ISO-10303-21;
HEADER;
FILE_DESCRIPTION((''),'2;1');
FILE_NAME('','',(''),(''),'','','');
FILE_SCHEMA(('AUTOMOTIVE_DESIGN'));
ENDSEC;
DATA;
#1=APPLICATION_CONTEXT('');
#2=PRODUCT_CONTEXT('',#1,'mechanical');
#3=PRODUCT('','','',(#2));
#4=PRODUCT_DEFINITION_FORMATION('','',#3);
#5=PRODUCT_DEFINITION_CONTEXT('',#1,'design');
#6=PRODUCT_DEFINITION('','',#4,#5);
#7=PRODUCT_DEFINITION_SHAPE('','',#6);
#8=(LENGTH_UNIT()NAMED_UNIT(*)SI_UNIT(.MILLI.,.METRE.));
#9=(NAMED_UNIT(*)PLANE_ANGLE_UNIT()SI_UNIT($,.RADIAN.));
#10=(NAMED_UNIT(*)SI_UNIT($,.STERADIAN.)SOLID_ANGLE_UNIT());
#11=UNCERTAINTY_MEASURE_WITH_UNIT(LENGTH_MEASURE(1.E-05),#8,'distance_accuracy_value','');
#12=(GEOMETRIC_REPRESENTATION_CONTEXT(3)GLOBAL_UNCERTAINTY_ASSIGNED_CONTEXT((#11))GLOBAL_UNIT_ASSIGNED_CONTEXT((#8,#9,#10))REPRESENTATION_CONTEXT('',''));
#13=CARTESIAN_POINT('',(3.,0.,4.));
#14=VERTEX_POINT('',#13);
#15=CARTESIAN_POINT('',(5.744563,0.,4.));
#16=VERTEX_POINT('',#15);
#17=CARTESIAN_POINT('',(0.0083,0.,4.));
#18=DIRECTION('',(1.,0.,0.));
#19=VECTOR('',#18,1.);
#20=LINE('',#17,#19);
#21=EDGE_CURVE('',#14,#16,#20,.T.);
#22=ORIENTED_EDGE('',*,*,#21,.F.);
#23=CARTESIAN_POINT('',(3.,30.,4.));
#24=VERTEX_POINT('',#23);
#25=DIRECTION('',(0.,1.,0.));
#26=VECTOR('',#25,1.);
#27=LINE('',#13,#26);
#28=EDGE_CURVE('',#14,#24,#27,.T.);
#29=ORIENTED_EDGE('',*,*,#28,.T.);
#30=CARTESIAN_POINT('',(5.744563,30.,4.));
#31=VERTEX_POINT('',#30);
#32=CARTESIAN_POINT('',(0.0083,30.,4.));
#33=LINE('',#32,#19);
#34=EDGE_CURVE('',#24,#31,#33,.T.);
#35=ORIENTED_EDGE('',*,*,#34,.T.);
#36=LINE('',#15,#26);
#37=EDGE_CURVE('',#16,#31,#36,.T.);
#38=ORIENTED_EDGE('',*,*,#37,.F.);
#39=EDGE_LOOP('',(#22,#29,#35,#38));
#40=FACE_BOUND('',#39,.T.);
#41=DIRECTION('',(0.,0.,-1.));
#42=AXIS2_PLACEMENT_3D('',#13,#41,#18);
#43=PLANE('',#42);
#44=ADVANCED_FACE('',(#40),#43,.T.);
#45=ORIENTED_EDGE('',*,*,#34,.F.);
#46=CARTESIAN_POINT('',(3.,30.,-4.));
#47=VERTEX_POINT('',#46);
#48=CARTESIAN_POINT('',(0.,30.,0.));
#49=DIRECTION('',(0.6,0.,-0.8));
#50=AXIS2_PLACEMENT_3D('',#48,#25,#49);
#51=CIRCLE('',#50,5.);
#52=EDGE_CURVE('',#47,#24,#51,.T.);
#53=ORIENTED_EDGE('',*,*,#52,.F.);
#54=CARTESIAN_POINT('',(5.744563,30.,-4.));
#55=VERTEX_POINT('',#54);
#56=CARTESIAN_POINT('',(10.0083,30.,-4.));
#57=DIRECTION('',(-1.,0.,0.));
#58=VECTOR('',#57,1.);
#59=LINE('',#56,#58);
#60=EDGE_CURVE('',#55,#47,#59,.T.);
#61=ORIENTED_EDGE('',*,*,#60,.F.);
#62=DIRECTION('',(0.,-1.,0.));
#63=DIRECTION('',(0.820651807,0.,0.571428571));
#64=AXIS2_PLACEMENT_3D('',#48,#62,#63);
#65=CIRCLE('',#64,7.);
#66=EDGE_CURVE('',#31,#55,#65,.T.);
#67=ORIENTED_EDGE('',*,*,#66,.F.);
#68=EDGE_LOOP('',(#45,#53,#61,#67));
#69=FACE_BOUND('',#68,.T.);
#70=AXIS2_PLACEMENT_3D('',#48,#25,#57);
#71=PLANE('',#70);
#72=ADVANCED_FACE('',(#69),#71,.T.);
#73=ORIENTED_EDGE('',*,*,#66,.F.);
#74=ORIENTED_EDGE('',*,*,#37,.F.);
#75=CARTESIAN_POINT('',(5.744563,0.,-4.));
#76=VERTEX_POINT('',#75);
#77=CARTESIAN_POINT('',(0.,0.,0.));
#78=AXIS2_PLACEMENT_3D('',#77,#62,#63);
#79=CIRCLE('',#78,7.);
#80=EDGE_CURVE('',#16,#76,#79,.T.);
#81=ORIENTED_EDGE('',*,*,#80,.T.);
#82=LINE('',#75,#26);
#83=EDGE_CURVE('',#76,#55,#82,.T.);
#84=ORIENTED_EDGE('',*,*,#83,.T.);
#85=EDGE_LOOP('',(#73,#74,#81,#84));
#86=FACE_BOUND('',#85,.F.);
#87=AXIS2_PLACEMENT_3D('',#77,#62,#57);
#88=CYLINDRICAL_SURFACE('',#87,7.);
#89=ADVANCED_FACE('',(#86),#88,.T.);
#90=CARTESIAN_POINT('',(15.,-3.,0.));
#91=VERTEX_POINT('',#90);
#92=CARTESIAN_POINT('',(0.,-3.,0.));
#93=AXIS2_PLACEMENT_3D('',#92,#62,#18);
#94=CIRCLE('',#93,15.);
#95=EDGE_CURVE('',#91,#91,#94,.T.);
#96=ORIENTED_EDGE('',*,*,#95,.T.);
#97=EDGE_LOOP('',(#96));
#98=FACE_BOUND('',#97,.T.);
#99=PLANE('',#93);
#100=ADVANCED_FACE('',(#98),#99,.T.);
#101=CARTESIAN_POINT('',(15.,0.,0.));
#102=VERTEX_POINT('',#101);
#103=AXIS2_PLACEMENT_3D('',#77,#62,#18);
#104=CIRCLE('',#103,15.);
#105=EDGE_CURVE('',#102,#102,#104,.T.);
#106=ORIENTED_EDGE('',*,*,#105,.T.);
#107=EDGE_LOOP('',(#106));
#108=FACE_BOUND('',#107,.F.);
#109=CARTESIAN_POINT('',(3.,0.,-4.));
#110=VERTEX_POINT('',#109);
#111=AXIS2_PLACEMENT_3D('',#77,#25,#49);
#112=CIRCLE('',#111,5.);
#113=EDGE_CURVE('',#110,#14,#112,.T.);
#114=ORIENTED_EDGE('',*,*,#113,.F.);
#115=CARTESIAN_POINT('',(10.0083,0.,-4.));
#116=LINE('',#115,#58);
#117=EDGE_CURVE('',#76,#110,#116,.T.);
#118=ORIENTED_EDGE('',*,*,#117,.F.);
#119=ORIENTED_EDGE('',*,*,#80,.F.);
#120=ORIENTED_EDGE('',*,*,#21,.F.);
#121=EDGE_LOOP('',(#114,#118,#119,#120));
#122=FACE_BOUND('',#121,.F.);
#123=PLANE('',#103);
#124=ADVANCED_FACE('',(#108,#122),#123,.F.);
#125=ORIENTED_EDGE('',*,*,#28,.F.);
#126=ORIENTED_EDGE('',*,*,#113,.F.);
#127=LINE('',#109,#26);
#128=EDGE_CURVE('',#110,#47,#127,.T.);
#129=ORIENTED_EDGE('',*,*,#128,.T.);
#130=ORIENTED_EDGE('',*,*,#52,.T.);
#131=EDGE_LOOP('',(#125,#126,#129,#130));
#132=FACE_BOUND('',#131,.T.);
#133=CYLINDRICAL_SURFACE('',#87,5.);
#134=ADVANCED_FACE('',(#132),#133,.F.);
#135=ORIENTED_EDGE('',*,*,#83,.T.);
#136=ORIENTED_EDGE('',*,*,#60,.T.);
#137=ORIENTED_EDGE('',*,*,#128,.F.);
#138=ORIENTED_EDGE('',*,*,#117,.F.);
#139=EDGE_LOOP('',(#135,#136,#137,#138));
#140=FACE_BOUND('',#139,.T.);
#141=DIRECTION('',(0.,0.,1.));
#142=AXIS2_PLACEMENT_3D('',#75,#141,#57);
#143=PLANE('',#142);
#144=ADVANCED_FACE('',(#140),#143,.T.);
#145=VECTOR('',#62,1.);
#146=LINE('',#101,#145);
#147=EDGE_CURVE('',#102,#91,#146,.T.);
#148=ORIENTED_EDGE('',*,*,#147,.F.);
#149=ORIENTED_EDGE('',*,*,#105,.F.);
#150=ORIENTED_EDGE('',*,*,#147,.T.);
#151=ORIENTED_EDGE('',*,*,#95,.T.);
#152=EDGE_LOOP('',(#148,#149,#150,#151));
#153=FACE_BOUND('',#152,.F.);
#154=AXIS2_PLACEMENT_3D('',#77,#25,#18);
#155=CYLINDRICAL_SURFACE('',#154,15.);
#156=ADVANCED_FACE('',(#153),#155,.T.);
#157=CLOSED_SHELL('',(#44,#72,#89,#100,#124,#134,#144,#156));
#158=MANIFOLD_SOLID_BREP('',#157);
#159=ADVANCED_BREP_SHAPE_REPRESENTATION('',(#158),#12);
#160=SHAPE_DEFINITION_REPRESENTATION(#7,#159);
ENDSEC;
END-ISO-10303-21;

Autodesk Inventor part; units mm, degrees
ref_plane "YZ Plane" through (0, 0, 0) normal (1, 0, 0) x (0, 1, 0)
ref_plane "XZ Plane" through (0, 0, 0) normal (0, 1, 0) x (-1, 0, 0)
ref_plane "XY Plane" through (0, 0, 0) normal (0, 0, 1) x (1, 0, 0)
sketch "Sketch1" plane through (0, 0, 0) normal (0, 1, 0) x (-1, 0, 0)
  point P0 (0, 0)
sketch "Sketch2" plane through (0, 0, 0) normal (0, 1, 0) x (-1, 0, 0)
  circle A0 centre (0, 0) radius 5
  circle A1 centre (0, 0) radius 7
  line L0 (-0.0083, 4) -> (-10.0083, 4)
  line L1 (-10.0083, 4) -> (-10.0083, -4)
  line L2 (-10.0083, -4) -> (-0.0083, -4)
  line L3 (-0.0083, -4) -> (-0.0083, 4)
  point P0 (-3, -4)
  point P1 (-5.7446, -4)
  point P2 (-5.7446, 4)
  point P3 (-3, 4)
  dimension "d0" = 10
  dimension "d1" = 14
  dimension "d2" = 10
  dimension "d3" = 8
  dimension "d4" = 3
extrude "Extrusion1" add sketch "Sketch2" along normal blind 30 contours A0 L0 A1 L2 picked at (-4.4748, -4.4019)
sketch "Sketch3" plane through (0, 0, 0) normal (0, -1, 0) x (1, 0, 0)
  circle A0 centre (0, 0) radius 15
  dimension "d7" = 30
extrude "Extrusion2" add sketch "Sketch3" along normal blind 3
properties part number "fsrBase"
